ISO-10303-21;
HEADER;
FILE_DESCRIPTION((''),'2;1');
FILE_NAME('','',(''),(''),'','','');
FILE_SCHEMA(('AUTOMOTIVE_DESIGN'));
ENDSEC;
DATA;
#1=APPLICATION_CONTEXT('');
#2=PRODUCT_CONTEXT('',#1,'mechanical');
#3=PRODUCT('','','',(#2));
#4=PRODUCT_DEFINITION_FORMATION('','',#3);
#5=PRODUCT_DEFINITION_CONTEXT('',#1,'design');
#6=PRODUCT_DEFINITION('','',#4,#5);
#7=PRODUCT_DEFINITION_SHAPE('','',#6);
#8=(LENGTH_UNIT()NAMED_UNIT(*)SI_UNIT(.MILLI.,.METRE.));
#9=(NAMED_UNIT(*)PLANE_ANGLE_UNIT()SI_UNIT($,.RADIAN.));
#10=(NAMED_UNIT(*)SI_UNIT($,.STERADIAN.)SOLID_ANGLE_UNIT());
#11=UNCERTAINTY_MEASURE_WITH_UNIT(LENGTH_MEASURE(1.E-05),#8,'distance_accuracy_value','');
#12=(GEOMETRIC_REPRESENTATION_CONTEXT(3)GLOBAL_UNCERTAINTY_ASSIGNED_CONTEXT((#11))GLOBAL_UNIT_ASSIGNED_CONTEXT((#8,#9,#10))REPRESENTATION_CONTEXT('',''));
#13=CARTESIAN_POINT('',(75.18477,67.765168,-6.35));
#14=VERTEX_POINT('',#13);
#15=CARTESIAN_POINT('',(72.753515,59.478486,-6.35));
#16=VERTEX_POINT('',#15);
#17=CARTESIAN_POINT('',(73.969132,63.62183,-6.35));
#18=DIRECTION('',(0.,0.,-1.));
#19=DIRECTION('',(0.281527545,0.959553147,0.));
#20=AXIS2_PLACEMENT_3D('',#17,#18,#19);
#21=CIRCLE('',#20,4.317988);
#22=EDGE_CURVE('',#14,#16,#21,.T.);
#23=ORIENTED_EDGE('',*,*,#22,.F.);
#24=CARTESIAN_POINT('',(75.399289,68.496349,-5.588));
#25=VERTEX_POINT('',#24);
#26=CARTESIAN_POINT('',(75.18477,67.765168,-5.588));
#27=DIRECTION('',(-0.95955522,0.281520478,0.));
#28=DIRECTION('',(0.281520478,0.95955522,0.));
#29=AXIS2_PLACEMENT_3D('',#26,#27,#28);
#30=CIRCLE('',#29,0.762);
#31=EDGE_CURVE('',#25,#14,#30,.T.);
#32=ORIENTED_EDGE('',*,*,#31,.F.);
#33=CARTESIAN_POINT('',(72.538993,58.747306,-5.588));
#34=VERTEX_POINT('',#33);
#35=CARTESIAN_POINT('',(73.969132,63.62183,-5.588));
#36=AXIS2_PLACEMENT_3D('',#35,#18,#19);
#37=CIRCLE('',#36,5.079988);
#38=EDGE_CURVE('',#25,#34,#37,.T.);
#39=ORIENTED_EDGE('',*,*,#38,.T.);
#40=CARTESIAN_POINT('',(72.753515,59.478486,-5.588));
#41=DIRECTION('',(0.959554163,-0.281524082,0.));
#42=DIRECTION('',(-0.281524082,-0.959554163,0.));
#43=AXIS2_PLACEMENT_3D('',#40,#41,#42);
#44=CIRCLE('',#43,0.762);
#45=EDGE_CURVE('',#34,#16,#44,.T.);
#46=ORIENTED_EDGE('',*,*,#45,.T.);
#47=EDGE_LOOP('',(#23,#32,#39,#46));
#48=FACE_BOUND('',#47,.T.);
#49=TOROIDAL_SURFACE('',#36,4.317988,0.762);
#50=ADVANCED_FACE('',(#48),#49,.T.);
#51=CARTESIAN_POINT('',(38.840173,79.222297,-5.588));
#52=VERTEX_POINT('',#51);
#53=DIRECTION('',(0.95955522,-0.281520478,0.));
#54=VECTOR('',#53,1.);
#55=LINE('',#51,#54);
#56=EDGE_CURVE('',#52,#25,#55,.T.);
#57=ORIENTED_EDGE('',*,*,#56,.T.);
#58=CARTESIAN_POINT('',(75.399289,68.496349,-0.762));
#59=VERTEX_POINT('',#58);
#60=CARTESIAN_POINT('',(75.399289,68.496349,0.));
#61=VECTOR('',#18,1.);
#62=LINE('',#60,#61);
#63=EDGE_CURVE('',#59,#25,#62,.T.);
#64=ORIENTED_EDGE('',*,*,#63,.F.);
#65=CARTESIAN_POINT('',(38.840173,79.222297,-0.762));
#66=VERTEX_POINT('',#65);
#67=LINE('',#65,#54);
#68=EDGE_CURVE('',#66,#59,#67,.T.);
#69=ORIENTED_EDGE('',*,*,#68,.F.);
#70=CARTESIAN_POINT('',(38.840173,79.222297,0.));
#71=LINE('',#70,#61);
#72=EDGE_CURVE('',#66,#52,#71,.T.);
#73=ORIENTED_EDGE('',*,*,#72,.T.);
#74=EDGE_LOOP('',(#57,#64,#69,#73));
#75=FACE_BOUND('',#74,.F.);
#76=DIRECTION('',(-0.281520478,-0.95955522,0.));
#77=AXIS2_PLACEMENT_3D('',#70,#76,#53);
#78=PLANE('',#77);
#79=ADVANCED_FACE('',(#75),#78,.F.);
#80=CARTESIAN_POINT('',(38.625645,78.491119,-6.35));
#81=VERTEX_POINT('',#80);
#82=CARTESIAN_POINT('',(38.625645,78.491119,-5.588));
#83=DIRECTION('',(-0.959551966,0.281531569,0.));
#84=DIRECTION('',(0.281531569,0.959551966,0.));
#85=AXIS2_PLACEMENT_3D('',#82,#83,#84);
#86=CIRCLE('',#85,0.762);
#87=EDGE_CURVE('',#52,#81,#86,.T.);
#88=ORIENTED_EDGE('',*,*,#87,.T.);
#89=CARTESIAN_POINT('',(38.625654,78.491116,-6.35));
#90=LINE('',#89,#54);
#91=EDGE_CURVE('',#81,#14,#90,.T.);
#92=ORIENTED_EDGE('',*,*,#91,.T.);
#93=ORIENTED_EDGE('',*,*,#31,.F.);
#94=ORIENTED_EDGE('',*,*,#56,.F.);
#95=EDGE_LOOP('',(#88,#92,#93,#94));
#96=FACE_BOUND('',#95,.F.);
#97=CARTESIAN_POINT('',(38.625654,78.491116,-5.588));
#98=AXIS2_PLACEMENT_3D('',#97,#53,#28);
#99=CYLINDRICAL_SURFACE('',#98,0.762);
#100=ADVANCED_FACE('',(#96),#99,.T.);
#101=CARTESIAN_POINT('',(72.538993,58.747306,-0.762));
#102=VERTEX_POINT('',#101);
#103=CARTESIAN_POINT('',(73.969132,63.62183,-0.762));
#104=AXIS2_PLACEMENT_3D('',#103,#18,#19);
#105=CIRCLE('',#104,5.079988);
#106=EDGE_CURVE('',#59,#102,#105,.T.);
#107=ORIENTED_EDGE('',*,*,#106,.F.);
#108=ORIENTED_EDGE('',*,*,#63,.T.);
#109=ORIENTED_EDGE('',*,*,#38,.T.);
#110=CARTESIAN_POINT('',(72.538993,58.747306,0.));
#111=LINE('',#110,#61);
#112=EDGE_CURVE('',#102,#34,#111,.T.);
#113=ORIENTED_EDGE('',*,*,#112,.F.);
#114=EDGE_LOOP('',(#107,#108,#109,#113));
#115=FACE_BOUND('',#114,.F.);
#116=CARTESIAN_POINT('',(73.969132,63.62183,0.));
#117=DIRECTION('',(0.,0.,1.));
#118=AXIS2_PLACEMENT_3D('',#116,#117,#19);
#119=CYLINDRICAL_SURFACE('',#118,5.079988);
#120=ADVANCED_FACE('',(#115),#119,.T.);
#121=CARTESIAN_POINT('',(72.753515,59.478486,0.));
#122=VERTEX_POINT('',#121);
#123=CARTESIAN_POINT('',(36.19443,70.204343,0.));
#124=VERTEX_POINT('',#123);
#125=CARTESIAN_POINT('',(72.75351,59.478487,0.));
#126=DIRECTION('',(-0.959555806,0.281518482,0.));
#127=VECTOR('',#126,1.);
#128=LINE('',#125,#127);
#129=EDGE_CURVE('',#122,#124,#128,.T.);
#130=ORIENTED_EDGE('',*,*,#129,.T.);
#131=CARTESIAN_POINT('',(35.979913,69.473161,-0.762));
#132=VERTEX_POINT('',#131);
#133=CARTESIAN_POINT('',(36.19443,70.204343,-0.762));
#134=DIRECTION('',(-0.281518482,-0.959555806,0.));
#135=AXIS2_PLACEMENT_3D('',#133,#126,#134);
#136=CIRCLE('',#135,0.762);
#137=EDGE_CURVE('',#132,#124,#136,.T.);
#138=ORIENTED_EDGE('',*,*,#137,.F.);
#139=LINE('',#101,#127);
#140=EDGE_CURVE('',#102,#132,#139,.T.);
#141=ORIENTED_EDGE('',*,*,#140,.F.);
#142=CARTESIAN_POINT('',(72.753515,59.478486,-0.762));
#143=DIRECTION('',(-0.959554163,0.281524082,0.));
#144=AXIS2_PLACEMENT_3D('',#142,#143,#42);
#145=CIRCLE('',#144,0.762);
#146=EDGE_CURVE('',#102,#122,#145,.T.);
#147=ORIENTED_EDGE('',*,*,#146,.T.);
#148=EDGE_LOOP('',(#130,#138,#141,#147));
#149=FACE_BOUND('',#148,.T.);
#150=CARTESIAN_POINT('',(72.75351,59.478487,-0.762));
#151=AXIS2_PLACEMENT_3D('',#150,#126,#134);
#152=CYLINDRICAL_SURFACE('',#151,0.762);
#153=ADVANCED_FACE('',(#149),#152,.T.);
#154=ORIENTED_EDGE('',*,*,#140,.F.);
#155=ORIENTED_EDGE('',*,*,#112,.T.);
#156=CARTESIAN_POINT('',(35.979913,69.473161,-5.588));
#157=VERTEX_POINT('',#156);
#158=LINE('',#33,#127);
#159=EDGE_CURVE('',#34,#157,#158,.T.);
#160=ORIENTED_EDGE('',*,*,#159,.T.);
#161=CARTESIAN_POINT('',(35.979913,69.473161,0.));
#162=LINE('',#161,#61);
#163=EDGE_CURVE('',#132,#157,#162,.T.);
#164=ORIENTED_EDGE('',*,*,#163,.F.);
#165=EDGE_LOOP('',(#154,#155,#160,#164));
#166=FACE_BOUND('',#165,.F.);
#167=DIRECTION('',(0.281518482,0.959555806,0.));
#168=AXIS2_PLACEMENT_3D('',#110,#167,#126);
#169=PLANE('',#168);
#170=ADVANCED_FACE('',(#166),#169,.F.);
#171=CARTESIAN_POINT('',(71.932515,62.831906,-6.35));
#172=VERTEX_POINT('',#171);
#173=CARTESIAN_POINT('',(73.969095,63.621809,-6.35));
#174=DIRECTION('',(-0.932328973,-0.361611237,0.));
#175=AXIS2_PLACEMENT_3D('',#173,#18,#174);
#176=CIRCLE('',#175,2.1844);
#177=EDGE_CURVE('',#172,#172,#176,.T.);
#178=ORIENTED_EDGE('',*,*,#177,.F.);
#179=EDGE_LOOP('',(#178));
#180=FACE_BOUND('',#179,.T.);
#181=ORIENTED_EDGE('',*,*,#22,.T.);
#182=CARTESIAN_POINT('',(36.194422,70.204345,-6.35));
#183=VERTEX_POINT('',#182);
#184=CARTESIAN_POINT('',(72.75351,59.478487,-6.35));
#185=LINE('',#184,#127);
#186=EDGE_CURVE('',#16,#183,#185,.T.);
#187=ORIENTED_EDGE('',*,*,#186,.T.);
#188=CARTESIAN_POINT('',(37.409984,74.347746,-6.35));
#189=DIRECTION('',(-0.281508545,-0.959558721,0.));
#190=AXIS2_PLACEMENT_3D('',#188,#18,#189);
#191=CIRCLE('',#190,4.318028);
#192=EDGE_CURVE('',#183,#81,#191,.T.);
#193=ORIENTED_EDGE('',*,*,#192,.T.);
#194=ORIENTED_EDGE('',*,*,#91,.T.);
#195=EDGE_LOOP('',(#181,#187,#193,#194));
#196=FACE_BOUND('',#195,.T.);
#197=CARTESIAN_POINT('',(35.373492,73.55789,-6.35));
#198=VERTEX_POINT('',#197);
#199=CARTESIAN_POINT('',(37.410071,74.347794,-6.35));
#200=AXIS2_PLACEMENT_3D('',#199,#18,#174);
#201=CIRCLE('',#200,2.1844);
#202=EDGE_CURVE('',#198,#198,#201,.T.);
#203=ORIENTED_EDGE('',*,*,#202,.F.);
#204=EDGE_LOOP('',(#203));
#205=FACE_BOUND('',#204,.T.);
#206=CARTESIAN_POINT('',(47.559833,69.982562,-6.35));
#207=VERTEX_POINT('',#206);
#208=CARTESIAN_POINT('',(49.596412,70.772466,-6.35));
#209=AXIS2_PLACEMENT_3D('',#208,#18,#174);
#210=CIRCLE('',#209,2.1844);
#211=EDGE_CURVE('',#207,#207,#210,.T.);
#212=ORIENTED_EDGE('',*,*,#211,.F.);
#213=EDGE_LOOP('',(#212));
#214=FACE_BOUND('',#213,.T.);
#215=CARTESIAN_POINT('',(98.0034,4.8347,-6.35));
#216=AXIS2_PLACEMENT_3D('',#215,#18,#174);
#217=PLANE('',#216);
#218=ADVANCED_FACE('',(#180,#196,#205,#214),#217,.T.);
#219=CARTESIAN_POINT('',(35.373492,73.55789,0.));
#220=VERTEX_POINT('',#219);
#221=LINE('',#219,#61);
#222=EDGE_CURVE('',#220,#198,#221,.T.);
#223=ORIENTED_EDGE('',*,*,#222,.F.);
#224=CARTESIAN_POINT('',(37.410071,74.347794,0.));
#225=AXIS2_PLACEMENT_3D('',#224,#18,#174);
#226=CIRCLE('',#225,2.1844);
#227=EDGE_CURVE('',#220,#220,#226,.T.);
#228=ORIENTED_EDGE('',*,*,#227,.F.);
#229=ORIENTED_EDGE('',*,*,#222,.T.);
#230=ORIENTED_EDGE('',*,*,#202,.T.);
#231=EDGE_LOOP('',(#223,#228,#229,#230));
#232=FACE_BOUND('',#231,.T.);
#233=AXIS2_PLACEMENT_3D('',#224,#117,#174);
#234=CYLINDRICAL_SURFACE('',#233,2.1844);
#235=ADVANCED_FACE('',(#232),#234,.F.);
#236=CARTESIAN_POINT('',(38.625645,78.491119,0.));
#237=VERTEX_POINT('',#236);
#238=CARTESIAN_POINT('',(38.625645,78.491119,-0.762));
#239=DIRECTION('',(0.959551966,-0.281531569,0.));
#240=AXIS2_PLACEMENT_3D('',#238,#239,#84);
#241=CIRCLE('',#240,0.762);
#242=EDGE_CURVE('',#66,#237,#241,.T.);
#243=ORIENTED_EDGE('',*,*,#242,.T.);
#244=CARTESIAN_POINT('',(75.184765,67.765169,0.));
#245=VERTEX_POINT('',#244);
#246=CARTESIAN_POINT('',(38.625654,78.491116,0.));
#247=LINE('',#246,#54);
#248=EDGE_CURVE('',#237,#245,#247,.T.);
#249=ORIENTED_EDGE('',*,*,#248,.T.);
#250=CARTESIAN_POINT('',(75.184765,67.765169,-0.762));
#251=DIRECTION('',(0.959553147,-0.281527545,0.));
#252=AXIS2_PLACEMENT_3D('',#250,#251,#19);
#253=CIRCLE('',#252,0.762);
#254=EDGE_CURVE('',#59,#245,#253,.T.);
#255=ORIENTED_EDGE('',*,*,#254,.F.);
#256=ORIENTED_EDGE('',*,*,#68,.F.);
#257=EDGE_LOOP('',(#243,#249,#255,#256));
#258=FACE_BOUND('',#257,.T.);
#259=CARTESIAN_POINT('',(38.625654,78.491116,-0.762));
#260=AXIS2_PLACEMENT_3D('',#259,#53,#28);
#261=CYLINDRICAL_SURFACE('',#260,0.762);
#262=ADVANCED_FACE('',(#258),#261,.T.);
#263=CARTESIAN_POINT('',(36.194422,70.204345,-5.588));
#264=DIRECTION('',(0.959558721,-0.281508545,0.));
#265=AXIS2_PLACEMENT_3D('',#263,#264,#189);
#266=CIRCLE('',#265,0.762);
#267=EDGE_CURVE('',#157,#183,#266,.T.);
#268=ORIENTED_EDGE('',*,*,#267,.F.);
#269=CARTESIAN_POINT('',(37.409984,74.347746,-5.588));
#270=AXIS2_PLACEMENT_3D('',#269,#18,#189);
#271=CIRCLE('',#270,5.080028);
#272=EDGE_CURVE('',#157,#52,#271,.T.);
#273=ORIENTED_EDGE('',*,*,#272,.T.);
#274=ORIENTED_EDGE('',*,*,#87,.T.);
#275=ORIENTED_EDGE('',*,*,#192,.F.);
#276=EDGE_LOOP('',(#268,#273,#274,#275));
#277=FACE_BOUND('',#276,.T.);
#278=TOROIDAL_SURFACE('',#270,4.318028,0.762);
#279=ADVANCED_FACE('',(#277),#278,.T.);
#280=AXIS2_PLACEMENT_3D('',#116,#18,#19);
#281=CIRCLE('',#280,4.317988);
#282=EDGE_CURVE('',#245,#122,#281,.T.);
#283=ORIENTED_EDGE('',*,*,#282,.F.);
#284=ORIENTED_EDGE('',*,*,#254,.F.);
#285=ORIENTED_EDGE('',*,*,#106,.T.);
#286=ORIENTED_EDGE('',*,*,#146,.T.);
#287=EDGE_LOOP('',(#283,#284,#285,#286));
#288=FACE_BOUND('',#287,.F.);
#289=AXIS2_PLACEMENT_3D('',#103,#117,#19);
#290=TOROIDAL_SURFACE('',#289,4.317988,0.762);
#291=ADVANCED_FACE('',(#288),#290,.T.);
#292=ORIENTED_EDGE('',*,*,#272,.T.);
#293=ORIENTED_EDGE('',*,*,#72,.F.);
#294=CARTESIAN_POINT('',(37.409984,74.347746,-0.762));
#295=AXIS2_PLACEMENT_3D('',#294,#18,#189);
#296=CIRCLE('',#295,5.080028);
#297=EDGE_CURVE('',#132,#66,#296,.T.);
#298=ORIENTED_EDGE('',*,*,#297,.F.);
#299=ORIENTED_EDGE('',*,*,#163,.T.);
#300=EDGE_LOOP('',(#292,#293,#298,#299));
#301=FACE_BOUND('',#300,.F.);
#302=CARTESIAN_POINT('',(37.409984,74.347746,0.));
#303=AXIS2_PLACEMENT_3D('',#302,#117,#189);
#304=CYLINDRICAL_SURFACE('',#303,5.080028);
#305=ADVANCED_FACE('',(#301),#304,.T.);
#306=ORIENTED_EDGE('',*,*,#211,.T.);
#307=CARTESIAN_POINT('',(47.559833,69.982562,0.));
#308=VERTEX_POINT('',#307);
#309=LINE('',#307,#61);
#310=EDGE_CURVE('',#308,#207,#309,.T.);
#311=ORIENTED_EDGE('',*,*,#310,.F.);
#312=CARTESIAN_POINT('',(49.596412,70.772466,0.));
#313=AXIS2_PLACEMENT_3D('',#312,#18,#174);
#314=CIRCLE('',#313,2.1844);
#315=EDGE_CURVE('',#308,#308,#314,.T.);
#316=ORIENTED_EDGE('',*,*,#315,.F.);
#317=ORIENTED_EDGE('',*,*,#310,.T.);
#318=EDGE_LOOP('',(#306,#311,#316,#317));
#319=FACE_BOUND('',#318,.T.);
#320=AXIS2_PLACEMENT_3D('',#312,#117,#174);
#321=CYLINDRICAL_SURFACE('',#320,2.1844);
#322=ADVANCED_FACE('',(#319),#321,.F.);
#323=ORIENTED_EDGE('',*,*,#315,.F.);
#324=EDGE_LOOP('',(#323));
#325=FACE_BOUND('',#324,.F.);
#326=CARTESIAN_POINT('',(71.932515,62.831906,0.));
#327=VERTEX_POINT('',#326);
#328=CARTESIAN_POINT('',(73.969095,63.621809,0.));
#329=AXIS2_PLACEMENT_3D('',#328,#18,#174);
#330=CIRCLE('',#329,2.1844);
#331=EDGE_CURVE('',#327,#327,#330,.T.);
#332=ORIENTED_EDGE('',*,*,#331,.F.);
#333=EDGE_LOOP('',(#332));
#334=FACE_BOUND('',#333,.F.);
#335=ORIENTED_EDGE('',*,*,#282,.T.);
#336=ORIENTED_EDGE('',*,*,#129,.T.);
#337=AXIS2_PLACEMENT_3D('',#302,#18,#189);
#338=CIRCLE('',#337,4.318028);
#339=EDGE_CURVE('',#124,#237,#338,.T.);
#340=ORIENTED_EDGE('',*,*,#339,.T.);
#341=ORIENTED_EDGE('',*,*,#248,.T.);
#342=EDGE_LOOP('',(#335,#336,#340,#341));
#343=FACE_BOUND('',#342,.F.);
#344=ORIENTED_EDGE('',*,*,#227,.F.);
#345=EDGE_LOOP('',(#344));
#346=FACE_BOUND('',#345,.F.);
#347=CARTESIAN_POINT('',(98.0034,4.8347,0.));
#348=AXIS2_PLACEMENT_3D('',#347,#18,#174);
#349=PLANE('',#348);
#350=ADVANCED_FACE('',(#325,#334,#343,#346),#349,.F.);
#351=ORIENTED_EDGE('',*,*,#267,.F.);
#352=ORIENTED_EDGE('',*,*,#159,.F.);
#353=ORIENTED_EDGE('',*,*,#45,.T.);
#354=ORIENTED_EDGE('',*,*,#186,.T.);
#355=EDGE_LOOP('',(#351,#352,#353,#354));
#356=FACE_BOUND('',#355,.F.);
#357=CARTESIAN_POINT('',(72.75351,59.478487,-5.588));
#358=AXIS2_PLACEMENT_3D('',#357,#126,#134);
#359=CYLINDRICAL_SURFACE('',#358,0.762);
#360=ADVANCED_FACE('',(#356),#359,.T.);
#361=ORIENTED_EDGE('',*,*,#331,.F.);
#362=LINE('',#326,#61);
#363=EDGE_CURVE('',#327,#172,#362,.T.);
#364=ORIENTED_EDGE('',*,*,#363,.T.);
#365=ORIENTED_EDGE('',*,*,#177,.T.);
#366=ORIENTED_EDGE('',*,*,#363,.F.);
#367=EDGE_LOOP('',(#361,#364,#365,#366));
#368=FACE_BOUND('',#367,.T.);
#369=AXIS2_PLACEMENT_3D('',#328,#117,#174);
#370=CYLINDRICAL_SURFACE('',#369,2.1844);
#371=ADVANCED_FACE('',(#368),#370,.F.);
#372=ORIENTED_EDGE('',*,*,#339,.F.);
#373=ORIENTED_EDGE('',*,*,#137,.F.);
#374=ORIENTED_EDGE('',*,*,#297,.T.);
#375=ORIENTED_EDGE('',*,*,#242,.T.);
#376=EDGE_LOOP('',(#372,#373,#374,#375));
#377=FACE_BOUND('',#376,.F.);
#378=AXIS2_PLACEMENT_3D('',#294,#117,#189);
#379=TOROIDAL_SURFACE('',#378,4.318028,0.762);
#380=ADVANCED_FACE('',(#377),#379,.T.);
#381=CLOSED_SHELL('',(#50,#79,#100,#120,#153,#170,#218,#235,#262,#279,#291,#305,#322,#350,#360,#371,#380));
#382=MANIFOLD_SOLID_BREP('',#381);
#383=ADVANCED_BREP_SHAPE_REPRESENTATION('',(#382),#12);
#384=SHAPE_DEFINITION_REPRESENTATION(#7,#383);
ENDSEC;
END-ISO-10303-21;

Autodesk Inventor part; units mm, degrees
ref_plane "YZ Plane" through (0, 0, 0) normal (1, 0, 0) x (0, 1, 0)
ref_plane "XZ Plane" through (0, 0, 0) normal (0, 1, 0) x (-1, 0, 0)
ref_plane "Work Plane1" through (98.0034, 4.8347, 0) normal (0, 0, -1) x (-0.9323, -0.3616, 0)
sketch "Sketch1" plane through (98.0034, 4.8347, 0) normal (0, 0, -1) x (-0.9323, -0.3616, 0)
  circle A0 centre (1.1498, 63.5) radius 2.1844 projected
  circle A1 centre (21.2874, 78.9802) radius 2.1844
  circle A2 centre (31.3562, 86.7203) radius 2.1844 projected
  line L0 (1.1498, 63.5) -> (1.1498, 86.7203) construction
  line L1 (4.2458, 59.4725) -> (34.4523, 82.6927)
  line L2 (28.2602, 90.7478) -> (-1.9463, 67.5275)
  arc A3 (-1.9463, 67.5275) -> (4.2458, 59.4725) centre (1.1498, 63.5) ccw
  arc A4 (34.4523, 82.6927) -> (28.2602, 90.7478) centre (31.3562, 86.7203) ccw
  point P0 (93.1204, 30.9293)
  point P1 (1.1498, 94.7574)
  dimension "d0" = 10.16
  dimension "d4" = 12.7
extrude "Extrusion1" add sketch "Sketch1" along normal blind 6.35
fillet "Fillet1" radius 0.762 8 edges at (32.5372, 75.7795, -6.35) (57.1214, 73.8604, -6.35) (78.845, 62.1922, -6.35) (54.2609, 64.1113, -6.35) (78.845, 62.1922, 0) (54.2609, 64.1113, 0) (32.5372, 75.7795, 0) (57.1214, 73.8604, 0)
properties part number "RigidPieceFloat" material "Plastic, Opaque Black"
